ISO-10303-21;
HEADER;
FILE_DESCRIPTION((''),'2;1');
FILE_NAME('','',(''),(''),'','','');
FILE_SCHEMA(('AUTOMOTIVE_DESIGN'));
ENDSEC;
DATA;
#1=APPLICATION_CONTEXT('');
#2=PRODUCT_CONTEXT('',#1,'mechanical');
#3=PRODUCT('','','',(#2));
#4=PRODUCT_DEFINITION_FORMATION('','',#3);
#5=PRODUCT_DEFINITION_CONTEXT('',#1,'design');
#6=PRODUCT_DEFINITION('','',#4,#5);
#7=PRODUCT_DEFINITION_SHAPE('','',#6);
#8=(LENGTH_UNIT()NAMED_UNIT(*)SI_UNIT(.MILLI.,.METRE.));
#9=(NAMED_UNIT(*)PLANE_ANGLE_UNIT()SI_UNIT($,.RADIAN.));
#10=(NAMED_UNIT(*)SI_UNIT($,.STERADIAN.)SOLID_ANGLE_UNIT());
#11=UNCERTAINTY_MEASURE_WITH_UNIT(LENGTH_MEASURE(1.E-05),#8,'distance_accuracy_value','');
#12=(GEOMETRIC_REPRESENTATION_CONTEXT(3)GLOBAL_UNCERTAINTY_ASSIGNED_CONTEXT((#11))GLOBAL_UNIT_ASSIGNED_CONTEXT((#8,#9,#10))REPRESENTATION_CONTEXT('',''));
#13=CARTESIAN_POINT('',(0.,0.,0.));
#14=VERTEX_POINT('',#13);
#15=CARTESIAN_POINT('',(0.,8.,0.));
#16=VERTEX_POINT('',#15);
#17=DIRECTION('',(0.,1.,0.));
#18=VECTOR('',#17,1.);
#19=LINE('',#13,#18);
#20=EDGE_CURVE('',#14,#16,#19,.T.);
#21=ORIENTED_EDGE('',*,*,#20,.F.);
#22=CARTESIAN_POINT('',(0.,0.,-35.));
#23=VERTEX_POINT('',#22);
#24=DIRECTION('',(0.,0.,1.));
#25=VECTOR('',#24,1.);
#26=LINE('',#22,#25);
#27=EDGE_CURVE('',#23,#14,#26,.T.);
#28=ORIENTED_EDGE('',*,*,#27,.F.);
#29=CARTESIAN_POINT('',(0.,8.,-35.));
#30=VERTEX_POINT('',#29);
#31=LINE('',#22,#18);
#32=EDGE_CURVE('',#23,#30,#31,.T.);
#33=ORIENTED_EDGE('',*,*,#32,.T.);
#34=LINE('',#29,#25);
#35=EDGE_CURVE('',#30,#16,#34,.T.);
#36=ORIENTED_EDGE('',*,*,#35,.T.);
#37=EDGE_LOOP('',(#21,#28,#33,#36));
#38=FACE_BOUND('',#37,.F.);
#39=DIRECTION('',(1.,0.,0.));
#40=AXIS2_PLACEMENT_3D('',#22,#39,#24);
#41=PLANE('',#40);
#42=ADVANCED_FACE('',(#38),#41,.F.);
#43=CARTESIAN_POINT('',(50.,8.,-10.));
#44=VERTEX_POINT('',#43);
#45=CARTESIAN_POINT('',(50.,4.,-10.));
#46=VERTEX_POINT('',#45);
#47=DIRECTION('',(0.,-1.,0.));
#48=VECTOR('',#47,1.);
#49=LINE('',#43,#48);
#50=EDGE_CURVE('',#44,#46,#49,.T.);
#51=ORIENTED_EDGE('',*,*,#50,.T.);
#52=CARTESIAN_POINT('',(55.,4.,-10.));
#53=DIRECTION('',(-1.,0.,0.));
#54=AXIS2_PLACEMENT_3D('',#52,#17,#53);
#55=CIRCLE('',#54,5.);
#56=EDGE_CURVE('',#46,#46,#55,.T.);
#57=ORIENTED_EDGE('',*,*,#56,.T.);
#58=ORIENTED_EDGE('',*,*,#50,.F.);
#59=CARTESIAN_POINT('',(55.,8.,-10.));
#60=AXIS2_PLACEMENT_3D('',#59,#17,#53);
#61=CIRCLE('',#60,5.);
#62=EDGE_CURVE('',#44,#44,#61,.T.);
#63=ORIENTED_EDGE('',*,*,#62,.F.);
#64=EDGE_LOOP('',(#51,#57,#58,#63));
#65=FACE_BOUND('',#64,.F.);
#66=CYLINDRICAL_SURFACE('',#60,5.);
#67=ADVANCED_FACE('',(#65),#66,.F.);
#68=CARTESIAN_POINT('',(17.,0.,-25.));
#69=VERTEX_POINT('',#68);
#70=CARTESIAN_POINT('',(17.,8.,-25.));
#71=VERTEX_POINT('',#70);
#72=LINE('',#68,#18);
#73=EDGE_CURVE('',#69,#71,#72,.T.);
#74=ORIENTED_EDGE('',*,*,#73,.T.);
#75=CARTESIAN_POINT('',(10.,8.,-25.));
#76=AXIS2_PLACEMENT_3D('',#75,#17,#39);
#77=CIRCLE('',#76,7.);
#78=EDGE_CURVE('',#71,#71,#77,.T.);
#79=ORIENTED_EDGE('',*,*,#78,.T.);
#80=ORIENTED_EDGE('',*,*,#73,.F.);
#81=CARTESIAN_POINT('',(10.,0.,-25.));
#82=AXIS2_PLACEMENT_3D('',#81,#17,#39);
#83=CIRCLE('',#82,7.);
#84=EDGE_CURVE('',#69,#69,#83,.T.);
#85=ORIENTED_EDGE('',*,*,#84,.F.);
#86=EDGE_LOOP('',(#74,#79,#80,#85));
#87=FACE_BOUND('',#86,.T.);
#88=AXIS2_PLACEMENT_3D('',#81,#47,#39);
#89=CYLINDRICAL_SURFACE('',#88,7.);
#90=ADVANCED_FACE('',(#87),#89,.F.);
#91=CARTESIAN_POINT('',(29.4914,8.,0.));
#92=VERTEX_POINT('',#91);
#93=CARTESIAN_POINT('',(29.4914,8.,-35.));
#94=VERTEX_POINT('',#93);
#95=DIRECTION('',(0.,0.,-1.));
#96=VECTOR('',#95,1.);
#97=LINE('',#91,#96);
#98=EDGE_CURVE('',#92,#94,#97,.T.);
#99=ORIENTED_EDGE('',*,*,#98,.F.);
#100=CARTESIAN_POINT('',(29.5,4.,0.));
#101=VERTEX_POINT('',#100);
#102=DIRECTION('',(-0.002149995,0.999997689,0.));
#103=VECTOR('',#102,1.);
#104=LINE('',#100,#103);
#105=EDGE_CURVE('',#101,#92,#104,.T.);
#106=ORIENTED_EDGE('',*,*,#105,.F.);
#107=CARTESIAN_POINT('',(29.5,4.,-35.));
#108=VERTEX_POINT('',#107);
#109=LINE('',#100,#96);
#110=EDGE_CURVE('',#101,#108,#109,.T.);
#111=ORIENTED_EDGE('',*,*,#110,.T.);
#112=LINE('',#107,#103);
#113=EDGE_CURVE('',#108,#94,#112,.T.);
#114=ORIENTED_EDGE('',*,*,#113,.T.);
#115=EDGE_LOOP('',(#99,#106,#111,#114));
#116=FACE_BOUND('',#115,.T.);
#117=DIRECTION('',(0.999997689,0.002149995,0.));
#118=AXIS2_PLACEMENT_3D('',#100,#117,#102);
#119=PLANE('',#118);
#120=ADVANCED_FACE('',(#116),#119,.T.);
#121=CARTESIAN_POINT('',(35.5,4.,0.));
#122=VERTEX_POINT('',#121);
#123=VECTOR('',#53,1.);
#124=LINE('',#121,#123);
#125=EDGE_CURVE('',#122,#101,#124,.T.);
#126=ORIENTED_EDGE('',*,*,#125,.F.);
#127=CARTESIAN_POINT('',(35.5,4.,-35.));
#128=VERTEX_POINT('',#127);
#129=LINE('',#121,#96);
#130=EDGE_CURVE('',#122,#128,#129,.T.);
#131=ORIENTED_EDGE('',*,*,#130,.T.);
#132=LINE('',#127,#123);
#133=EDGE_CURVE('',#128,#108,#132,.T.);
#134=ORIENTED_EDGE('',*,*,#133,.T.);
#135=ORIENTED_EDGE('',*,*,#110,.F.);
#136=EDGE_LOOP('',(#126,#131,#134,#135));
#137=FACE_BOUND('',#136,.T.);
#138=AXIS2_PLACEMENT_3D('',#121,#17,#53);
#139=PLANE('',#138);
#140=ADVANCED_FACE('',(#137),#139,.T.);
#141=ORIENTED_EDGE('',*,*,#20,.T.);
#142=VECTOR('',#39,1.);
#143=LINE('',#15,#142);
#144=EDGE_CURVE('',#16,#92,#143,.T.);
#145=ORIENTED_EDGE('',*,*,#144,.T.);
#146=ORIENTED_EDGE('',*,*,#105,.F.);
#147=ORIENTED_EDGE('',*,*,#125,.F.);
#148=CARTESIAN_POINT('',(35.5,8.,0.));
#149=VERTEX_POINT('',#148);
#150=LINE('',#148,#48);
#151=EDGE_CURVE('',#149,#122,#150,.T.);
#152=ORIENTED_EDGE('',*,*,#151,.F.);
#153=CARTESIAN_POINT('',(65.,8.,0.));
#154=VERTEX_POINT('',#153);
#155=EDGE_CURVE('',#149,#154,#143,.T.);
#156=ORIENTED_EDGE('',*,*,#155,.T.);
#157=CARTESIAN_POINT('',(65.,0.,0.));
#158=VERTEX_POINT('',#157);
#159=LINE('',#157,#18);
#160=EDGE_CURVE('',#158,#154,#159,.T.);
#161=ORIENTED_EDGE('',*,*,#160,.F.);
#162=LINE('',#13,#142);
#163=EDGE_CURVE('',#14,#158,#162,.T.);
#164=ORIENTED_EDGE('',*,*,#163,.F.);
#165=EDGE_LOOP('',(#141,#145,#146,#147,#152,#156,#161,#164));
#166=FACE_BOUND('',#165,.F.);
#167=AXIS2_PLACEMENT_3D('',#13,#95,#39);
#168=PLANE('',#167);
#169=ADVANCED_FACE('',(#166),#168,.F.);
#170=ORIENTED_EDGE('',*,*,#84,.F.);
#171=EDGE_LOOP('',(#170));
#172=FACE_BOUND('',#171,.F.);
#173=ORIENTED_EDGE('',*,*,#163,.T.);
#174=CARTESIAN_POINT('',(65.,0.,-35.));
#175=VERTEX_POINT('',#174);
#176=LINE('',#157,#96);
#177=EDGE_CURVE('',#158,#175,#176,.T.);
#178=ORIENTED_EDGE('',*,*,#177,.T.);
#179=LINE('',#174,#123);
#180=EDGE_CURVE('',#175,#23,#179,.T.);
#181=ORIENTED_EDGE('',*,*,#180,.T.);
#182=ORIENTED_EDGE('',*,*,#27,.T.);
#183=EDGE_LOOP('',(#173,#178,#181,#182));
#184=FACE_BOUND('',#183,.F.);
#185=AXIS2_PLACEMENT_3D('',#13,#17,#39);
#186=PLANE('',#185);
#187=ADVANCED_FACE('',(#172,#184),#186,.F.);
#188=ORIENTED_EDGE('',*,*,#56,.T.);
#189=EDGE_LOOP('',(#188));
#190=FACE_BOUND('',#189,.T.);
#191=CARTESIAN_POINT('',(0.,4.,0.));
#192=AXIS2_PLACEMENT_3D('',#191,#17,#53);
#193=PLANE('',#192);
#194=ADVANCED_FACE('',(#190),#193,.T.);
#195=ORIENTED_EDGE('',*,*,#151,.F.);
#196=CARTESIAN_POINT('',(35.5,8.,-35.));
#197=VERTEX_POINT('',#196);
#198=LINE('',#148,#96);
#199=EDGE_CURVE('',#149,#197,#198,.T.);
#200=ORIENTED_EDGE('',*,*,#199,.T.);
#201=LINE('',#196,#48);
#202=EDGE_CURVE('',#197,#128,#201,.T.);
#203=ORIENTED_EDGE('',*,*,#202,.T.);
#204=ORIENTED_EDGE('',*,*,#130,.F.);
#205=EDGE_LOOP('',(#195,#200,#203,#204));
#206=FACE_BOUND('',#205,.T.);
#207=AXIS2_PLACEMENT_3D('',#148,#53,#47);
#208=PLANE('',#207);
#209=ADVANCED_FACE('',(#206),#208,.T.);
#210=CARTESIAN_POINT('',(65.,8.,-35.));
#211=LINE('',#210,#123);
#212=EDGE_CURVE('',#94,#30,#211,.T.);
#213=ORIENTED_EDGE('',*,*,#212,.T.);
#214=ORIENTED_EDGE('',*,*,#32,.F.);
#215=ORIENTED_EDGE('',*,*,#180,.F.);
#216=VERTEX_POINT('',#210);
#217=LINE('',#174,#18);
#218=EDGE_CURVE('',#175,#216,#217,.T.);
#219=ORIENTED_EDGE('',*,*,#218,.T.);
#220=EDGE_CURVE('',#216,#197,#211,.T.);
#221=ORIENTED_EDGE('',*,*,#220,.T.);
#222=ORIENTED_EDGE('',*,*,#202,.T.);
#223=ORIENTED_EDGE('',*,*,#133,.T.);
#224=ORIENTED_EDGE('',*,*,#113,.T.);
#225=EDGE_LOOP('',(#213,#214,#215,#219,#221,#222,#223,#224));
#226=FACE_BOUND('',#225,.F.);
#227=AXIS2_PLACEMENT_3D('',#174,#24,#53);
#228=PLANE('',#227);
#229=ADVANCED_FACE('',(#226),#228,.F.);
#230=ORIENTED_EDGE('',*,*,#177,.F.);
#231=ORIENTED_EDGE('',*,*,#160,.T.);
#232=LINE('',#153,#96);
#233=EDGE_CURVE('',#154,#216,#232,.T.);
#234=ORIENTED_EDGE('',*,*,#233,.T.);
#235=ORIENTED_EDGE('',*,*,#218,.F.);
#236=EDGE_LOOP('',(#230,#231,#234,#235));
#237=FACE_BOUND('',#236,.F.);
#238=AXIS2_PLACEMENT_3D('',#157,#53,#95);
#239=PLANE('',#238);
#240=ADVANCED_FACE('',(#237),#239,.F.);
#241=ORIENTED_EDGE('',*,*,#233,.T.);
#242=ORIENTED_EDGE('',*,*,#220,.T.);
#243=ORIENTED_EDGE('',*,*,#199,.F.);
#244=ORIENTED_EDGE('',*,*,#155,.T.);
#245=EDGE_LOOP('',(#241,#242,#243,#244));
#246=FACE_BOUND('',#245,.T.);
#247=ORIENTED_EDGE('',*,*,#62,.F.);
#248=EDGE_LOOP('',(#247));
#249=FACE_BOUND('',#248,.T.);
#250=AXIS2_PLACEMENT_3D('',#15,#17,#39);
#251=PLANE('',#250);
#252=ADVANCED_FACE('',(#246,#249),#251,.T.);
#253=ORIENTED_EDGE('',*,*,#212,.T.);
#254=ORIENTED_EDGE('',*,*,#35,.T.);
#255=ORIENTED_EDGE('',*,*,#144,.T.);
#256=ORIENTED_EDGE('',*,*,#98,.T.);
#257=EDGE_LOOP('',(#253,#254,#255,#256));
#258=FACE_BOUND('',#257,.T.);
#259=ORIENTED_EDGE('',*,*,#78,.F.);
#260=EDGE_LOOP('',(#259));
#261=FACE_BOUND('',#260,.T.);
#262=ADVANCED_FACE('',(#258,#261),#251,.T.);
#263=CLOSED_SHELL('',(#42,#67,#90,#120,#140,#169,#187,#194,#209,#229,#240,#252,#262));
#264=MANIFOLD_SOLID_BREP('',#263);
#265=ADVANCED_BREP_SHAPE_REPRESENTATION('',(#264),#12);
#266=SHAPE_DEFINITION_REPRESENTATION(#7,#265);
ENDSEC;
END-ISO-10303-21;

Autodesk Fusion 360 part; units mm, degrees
sketch "Sketch1" plane through (0, 0, 0) normal (0, 1, 0) x (1, 0, 0)
  line L0 (0, 0) -> (65, 0)
  line L1 (65, 0) -> (65, 35)
  line L2 (65, 35) -> (0, 35)
  line L3 (0, 35) -> (0, 0)
  line L4 (10, 35) -> (10, 25) construction
  circle A0 centre (10, 25) radius 7
  dimension "d1" = 35
  dimension "d2" = 65
  dimension "d3" = 14
extrude "Extrude1" add sketch "Sketch1" along normal blind 8
sketch "Sketch2" plane through (0, 8, 0) normal (0, 1, 0) x (-1, 0, 0)
  circle A0 centre (-10, -25) radius 7
  line L0 (0, -35) -> (0, 0)
  line L1 (0, 0) -> (-65, 0)
  line L2 (-65, 0) -> (-65, -35)
  line L3 (-65, -35) -> (0, -35)
  circle A1 centre (-55, -10) radius 5
  dimension "d6" = 10
extrude "Extrude2" cut sketch "Sketch2" against normal blind 4 contours A1
sketch "Sketch3" plane through (0, 0, 0) normal (0, 0, 1) x (1, 0, 0)
  line L0 (0, 0) -> (65, 0)
  line L1 (65, 0) -> (65, 8)
  line L2 (65, 8) -> (0, 8)
  line L3 (0, 8) -> (0, 0)
  line L4 (32.5, 8) -> (35.5, 8)
  line L5 (35.5, 8) -> (35.5, 4)
  line L6 (35.5, 4) -> (29.5, 4)
  line L7 (29.5, 4) -> (29.4914, 8)
  line L8 (32.5, 8) -> (29.4914, 8)
  dimension "d9" = 3
  dimension "d10" = 4
  dimension "d11" = 6
extrude "Extrude3" cut sketch "Sketch3" against normal blind 35 contours L2 L4 L5 L6 L7 L8
